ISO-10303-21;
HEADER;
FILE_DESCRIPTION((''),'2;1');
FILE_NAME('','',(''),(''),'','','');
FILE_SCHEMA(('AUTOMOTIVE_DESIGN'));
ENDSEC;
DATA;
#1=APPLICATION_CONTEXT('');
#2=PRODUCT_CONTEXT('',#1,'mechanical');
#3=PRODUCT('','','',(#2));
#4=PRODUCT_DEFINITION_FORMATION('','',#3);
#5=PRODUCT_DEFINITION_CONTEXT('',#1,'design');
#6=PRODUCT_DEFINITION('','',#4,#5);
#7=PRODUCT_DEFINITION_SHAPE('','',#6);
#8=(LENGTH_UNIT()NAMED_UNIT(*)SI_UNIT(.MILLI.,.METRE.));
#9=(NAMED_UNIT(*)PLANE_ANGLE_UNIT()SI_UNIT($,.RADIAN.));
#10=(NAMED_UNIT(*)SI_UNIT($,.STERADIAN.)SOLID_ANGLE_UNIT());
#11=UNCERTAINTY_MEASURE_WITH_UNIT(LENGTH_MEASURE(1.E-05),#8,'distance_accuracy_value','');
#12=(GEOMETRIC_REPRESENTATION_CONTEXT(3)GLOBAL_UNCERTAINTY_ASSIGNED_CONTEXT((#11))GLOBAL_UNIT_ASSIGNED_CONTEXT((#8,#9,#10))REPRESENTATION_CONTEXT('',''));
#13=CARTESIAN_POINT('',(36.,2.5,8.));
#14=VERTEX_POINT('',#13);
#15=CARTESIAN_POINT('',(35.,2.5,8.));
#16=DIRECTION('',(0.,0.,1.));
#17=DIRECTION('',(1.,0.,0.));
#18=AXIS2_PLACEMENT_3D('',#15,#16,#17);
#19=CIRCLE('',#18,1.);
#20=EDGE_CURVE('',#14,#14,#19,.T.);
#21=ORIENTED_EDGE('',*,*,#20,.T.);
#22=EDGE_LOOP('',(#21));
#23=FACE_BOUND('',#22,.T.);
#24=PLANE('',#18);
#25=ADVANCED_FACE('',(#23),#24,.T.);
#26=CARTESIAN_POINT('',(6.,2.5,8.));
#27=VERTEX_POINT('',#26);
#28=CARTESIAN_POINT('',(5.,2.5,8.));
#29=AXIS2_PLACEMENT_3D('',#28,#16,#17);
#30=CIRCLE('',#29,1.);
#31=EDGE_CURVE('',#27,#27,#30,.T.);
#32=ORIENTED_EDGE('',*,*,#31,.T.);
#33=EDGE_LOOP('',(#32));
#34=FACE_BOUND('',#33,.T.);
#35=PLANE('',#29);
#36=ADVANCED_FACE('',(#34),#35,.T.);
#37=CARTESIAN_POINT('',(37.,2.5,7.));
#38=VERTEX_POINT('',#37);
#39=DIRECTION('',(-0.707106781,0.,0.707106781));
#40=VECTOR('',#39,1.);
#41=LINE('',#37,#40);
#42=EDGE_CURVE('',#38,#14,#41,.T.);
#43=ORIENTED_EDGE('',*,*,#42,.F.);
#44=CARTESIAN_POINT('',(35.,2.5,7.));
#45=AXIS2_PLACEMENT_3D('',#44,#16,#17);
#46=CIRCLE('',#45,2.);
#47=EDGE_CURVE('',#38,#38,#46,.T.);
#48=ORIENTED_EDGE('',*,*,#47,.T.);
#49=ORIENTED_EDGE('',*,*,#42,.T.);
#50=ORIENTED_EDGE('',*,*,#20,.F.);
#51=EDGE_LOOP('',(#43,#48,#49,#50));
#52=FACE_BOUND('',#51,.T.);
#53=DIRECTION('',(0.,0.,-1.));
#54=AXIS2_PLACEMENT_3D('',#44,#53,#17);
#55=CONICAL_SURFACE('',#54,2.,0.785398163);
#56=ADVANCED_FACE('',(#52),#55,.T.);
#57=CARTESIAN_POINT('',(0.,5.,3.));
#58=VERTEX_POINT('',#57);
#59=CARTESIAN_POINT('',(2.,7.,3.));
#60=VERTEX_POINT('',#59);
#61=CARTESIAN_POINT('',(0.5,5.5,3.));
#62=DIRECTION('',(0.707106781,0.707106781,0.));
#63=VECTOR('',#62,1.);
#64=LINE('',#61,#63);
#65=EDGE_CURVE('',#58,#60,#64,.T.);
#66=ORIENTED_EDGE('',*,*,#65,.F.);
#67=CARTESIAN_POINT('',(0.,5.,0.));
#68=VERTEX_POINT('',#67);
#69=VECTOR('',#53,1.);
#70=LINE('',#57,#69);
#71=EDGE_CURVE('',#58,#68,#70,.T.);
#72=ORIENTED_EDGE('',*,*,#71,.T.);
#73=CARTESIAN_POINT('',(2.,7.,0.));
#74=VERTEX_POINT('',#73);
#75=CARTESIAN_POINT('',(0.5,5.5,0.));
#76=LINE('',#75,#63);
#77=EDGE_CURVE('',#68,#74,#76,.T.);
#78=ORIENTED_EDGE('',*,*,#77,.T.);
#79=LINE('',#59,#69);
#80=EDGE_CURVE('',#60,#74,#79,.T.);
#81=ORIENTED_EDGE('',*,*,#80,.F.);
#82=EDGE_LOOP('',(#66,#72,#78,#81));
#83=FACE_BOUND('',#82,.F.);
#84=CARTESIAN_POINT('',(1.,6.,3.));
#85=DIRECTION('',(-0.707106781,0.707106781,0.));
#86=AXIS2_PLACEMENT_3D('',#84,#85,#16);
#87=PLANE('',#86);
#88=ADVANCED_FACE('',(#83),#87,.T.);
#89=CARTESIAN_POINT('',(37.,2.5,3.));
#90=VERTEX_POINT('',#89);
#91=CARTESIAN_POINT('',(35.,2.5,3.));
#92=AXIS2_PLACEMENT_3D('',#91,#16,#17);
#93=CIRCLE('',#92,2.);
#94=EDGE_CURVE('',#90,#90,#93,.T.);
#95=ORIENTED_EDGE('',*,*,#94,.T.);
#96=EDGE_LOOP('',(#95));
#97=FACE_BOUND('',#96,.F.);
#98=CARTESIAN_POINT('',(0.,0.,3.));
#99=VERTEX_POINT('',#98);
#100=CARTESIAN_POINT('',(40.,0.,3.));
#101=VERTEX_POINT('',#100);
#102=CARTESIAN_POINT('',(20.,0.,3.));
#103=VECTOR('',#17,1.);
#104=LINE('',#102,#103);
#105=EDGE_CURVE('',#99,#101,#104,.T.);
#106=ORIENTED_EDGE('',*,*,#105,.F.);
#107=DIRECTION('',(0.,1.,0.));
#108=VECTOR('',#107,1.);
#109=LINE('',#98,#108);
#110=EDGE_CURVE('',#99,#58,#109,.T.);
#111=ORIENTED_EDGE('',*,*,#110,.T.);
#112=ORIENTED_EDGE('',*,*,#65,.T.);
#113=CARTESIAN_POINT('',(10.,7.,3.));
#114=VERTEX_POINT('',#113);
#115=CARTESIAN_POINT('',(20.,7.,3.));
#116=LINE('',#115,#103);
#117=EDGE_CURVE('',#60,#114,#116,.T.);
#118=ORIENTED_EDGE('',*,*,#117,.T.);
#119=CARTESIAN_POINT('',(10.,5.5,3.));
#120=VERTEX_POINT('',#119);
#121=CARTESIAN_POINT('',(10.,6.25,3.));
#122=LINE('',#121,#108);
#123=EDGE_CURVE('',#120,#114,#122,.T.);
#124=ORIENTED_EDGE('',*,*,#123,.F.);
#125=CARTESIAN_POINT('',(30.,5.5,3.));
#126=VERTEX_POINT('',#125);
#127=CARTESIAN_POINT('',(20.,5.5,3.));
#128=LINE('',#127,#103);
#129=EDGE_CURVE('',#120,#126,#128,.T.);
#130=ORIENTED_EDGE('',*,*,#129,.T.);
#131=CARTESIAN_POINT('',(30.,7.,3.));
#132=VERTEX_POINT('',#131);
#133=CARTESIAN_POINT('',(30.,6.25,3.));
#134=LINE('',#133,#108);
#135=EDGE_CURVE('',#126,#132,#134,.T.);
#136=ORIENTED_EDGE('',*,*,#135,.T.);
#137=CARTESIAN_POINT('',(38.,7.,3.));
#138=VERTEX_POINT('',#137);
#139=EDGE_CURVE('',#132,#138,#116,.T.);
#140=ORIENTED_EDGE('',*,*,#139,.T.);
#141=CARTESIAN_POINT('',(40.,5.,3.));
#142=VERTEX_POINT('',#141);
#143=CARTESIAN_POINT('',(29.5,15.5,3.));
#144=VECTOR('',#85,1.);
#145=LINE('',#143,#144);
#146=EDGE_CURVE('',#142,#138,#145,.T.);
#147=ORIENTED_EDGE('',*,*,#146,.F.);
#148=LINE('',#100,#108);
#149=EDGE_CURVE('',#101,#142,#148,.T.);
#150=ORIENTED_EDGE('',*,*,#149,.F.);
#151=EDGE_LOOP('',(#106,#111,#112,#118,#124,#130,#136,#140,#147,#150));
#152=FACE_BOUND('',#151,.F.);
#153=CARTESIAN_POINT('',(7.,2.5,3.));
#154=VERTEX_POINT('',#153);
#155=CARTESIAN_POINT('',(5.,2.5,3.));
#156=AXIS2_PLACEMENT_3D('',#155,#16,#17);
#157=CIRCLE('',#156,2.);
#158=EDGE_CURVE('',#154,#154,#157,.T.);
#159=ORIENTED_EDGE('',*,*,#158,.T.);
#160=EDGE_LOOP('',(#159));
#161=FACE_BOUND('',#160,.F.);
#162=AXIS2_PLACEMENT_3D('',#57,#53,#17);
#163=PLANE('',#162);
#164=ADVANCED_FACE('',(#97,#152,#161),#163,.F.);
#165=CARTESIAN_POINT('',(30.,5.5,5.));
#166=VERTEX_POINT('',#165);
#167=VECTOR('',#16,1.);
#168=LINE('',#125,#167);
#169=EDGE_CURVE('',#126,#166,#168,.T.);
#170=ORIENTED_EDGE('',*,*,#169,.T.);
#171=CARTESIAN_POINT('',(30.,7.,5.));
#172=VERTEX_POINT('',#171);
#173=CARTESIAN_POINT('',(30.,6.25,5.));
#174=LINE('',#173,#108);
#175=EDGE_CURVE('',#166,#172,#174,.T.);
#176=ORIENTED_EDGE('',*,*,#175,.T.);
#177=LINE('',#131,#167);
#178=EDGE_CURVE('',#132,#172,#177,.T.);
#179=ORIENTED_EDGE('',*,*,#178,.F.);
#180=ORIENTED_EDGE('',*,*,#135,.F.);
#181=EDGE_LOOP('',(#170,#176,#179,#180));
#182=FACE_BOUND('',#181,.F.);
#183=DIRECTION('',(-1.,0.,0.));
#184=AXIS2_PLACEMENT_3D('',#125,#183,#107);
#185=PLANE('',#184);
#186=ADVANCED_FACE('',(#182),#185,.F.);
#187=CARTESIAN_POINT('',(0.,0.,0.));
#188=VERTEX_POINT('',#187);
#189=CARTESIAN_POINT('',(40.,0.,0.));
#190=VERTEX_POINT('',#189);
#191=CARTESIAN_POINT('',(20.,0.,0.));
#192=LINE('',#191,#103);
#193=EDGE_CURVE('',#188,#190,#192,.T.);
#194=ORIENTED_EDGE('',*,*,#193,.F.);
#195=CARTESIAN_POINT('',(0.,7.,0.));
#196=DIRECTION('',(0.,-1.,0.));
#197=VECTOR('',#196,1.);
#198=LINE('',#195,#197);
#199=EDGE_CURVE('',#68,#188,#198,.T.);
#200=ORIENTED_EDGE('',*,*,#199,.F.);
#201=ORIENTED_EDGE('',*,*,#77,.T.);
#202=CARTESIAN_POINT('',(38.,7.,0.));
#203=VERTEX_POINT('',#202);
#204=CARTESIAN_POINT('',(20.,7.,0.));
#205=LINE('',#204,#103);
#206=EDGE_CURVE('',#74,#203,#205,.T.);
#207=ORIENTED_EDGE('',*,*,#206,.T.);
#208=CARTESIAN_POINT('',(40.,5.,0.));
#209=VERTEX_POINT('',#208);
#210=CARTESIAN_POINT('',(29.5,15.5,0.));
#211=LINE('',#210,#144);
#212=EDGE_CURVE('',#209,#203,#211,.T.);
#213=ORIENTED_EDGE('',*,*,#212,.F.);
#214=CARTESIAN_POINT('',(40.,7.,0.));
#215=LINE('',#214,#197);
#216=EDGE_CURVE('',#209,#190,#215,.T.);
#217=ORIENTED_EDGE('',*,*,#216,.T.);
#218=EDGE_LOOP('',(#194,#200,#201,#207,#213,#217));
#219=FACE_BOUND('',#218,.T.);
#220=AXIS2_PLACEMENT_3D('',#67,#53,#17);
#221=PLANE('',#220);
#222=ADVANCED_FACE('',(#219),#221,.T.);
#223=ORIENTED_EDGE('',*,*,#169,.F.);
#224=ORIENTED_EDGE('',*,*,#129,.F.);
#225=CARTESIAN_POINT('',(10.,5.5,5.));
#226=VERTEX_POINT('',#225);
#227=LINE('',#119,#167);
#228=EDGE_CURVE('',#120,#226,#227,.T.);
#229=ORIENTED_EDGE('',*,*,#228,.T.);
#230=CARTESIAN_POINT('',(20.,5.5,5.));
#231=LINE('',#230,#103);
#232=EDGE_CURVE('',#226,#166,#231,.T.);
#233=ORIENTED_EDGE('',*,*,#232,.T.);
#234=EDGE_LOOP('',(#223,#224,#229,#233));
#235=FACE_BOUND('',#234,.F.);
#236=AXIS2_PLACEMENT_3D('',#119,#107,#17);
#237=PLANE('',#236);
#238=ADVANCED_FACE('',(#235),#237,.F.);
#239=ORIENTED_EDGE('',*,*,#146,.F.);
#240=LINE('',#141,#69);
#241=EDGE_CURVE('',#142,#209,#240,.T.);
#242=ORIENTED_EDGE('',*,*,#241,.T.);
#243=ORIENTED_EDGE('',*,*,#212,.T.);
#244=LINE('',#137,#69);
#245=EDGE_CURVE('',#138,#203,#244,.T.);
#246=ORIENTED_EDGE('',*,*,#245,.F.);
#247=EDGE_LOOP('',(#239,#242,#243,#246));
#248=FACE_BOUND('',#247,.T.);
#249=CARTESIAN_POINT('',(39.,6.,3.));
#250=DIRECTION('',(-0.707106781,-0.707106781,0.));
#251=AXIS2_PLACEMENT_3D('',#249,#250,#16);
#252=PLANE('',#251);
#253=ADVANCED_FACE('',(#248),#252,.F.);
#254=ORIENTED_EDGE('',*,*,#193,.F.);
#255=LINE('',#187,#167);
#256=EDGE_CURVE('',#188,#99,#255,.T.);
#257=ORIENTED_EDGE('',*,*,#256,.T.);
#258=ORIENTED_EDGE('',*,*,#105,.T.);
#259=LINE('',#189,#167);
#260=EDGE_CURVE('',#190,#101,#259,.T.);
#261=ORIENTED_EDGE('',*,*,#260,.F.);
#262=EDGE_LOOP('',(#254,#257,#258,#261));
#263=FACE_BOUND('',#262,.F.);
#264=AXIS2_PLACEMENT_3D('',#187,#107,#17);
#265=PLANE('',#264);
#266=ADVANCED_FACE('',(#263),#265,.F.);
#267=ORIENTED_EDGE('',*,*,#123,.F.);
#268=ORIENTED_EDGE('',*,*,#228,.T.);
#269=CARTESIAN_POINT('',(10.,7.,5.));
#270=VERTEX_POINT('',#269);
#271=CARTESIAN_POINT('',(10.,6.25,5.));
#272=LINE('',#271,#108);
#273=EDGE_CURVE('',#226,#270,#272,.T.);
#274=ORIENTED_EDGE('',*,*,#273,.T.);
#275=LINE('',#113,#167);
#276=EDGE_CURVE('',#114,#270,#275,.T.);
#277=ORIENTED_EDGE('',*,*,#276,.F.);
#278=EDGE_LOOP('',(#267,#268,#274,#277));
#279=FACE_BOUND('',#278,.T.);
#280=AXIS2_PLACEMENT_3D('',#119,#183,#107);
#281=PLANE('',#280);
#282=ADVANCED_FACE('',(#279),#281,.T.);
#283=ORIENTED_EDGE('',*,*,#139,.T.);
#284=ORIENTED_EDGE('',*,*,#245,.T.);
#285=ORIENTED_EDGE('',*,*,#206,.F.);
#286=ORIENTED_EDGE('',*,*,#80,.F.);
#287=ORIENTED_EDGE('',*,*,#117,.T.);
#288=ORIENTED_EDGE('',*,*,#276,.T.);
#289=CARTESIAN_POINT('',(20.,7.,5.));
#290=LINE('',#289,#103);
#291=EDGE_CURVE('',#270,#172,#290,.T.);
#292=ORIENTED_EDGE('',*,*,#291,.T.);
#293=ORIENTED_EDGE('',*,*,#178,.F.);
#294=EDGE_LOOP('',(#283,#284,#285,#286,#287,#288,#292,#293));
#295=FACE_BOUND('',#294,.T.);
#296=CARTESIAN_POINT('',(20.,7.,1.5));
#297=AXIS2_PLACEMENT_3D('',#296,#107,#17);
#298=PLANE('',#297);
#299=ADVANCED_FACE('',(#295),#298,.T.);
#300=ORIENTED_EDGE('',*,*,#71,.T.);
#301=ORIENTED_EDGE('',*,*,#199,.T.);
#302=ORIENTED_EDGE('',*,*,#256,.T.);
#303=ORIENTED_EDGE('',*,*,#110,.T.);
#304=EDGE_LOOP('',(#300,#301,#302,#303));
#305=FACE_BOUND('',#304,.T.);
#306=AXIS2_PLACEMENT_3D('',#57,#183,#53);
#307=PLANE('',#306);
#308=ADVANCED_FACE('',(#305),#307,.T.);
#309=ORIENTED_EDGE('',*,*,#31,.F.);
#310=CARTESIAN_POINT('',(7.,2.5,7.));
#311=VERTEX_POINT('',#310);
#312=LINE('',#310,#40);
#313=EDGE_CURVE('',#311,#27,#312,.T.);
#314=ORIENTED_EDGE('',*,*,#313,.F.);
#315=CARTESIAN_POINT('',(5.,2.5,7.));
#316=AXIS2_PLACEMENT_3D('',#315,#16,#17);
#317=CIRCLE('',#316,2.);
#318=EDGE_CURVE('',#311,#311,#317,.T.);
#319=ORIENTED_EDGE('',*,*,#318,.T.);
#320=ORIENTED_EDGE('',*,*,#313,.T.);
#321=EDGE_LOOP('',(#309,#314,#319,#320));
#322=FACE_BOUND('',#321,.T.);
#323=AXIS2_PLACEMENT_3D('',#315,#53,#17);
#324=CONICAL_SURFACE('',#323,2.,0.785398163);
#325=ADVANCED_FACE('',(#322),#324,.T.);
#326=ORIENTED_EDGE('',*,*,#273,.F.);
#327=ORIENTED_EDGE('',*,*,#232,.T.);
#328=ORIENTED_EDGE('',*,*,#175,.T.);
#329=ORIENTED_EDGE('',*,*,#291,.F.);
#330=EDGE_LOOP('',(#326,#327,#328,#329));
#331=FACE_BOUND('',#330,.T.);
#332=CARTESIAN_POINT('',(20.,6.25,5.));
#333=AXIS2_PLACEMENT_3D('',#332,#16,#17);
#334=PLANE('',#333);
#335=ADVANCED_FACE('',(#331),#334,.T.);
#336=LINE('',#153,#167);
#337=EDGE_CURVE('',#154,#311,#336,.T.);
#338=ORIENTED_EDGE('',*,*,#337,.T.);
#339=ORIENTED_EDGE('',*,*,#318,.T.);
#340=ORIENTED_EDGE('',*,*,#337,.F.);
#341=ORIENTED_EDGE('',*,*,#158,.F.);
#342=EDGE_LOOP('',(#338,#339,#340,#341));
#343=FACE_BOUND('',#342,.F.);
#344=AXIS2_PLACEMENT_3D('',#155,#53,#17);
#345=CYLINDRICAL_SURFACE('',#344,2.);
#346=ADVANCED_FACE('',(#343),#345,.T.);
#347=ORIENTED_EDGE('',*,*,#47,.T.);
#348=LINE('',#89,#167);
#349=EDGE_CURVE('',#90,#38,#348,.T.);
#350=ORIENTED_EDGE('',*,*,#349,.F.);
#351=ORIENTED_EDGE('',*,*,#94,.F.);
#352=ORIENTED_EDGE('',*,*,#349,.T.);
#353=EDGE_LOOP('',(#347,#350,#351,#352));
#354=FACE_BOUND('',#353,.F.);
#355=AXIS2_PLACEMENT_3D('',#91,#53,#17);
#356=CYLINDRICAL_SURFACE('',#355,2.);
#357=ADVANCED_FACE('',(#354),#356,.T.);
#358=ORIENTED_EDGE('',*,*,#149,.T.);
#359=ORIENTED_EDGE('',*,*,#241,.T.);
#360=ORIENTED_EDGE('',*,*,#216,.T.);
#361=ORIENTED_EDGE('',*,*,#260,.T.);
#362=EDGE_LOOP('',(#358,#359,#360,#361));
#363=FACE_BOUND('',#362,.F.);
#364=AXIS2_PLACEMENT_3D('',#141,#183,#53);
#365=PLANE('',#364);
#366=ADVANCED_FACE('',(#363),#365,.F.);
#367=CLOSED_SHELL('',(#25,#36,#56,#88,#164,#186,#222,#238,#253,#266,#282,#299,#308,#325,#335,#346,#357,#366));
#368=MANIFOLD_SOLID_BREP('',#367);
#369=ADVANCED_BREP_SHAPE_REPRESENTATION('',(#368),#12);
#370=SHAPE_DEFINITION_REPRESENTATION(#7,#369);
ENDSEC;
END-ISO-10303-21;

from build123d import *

# Parameters (mm, degrees)
SKETCH_W        = 40
SKETCH_H        = 5
PAD_DEPTH       = 3
SKETCH001_R     = 2
PAD001_DEPTH    = 5
CHAMFER_SIZE    = 1
CHAMFER_FACE8_W = 40
CHAMFER_FACE8_H = 3
PAD002_DEPTH    = 2
CHAMFER001_SIZE = 2
SKETCH002_W     = 20
SKETCH002_H     = 1.5
PAD003_DEPTH    = 2


with BuildPart() as part:
    # Sketch → Pad (new body)
    with BuildSketch(Plane.XY):
        with Locations((20, 2.5)):
            Rectangle(SKETCH_W, SKETCH_H)
    extrude(amount=PAD_DEPTH)

    # Sketch001 (on Face6 of Pad) → Pad001 (join)
    with BuildSketch(Plane.XY.offset(3)):
        with Locations((5, 2.5)):
            Circle(SKETCH001_R)
        with Locations((35, 2.5)):
            Circle(SKETCH001_R)
    extrude(amount=PAD001_DEPTH)

    # Chamfer
    chamfer_edges = [part.edges().sort_by_distance(p)[0] for p in [
        (3, 2.5, 8),
        (33, 2.5, 8),
    ]]
    chamfer(chamfer_edges, length=CHAMFER_SIZE)

    # Chamfer Face8 → Pad002 (add)
    with BuildSketch(Plane(origin=(20, 5, 1.5), x_dir=(1, 0, 0), z_dir=(0, 1, 0))):
        Rectangle(CHAMFER_FACE8_W, CHAMFER_FACE8_H)
    extrude(amount=PAD002_DEPTH)

    # Chamfer001
    chamfer001_edges = [part.edges().sort_by_distance(p)[0] for p in [
        (0, 7, 1.5),
        (40, 7, 1.5),
    ]]
    chamfer(chamfer001_edges, length=CHAMFER001_SIZE)

    # Sketch002 (on Face1 of Chamfer001) → Pad003 (join)
    with BuildSketch(Plane.XY.offset(3)):
        with Locations((20, 6.25)):
            Rectangle(SKETCH002_W, SKETCH002_H)
    extrude(amount=PAD003_DEPTH)


solid = part.part
